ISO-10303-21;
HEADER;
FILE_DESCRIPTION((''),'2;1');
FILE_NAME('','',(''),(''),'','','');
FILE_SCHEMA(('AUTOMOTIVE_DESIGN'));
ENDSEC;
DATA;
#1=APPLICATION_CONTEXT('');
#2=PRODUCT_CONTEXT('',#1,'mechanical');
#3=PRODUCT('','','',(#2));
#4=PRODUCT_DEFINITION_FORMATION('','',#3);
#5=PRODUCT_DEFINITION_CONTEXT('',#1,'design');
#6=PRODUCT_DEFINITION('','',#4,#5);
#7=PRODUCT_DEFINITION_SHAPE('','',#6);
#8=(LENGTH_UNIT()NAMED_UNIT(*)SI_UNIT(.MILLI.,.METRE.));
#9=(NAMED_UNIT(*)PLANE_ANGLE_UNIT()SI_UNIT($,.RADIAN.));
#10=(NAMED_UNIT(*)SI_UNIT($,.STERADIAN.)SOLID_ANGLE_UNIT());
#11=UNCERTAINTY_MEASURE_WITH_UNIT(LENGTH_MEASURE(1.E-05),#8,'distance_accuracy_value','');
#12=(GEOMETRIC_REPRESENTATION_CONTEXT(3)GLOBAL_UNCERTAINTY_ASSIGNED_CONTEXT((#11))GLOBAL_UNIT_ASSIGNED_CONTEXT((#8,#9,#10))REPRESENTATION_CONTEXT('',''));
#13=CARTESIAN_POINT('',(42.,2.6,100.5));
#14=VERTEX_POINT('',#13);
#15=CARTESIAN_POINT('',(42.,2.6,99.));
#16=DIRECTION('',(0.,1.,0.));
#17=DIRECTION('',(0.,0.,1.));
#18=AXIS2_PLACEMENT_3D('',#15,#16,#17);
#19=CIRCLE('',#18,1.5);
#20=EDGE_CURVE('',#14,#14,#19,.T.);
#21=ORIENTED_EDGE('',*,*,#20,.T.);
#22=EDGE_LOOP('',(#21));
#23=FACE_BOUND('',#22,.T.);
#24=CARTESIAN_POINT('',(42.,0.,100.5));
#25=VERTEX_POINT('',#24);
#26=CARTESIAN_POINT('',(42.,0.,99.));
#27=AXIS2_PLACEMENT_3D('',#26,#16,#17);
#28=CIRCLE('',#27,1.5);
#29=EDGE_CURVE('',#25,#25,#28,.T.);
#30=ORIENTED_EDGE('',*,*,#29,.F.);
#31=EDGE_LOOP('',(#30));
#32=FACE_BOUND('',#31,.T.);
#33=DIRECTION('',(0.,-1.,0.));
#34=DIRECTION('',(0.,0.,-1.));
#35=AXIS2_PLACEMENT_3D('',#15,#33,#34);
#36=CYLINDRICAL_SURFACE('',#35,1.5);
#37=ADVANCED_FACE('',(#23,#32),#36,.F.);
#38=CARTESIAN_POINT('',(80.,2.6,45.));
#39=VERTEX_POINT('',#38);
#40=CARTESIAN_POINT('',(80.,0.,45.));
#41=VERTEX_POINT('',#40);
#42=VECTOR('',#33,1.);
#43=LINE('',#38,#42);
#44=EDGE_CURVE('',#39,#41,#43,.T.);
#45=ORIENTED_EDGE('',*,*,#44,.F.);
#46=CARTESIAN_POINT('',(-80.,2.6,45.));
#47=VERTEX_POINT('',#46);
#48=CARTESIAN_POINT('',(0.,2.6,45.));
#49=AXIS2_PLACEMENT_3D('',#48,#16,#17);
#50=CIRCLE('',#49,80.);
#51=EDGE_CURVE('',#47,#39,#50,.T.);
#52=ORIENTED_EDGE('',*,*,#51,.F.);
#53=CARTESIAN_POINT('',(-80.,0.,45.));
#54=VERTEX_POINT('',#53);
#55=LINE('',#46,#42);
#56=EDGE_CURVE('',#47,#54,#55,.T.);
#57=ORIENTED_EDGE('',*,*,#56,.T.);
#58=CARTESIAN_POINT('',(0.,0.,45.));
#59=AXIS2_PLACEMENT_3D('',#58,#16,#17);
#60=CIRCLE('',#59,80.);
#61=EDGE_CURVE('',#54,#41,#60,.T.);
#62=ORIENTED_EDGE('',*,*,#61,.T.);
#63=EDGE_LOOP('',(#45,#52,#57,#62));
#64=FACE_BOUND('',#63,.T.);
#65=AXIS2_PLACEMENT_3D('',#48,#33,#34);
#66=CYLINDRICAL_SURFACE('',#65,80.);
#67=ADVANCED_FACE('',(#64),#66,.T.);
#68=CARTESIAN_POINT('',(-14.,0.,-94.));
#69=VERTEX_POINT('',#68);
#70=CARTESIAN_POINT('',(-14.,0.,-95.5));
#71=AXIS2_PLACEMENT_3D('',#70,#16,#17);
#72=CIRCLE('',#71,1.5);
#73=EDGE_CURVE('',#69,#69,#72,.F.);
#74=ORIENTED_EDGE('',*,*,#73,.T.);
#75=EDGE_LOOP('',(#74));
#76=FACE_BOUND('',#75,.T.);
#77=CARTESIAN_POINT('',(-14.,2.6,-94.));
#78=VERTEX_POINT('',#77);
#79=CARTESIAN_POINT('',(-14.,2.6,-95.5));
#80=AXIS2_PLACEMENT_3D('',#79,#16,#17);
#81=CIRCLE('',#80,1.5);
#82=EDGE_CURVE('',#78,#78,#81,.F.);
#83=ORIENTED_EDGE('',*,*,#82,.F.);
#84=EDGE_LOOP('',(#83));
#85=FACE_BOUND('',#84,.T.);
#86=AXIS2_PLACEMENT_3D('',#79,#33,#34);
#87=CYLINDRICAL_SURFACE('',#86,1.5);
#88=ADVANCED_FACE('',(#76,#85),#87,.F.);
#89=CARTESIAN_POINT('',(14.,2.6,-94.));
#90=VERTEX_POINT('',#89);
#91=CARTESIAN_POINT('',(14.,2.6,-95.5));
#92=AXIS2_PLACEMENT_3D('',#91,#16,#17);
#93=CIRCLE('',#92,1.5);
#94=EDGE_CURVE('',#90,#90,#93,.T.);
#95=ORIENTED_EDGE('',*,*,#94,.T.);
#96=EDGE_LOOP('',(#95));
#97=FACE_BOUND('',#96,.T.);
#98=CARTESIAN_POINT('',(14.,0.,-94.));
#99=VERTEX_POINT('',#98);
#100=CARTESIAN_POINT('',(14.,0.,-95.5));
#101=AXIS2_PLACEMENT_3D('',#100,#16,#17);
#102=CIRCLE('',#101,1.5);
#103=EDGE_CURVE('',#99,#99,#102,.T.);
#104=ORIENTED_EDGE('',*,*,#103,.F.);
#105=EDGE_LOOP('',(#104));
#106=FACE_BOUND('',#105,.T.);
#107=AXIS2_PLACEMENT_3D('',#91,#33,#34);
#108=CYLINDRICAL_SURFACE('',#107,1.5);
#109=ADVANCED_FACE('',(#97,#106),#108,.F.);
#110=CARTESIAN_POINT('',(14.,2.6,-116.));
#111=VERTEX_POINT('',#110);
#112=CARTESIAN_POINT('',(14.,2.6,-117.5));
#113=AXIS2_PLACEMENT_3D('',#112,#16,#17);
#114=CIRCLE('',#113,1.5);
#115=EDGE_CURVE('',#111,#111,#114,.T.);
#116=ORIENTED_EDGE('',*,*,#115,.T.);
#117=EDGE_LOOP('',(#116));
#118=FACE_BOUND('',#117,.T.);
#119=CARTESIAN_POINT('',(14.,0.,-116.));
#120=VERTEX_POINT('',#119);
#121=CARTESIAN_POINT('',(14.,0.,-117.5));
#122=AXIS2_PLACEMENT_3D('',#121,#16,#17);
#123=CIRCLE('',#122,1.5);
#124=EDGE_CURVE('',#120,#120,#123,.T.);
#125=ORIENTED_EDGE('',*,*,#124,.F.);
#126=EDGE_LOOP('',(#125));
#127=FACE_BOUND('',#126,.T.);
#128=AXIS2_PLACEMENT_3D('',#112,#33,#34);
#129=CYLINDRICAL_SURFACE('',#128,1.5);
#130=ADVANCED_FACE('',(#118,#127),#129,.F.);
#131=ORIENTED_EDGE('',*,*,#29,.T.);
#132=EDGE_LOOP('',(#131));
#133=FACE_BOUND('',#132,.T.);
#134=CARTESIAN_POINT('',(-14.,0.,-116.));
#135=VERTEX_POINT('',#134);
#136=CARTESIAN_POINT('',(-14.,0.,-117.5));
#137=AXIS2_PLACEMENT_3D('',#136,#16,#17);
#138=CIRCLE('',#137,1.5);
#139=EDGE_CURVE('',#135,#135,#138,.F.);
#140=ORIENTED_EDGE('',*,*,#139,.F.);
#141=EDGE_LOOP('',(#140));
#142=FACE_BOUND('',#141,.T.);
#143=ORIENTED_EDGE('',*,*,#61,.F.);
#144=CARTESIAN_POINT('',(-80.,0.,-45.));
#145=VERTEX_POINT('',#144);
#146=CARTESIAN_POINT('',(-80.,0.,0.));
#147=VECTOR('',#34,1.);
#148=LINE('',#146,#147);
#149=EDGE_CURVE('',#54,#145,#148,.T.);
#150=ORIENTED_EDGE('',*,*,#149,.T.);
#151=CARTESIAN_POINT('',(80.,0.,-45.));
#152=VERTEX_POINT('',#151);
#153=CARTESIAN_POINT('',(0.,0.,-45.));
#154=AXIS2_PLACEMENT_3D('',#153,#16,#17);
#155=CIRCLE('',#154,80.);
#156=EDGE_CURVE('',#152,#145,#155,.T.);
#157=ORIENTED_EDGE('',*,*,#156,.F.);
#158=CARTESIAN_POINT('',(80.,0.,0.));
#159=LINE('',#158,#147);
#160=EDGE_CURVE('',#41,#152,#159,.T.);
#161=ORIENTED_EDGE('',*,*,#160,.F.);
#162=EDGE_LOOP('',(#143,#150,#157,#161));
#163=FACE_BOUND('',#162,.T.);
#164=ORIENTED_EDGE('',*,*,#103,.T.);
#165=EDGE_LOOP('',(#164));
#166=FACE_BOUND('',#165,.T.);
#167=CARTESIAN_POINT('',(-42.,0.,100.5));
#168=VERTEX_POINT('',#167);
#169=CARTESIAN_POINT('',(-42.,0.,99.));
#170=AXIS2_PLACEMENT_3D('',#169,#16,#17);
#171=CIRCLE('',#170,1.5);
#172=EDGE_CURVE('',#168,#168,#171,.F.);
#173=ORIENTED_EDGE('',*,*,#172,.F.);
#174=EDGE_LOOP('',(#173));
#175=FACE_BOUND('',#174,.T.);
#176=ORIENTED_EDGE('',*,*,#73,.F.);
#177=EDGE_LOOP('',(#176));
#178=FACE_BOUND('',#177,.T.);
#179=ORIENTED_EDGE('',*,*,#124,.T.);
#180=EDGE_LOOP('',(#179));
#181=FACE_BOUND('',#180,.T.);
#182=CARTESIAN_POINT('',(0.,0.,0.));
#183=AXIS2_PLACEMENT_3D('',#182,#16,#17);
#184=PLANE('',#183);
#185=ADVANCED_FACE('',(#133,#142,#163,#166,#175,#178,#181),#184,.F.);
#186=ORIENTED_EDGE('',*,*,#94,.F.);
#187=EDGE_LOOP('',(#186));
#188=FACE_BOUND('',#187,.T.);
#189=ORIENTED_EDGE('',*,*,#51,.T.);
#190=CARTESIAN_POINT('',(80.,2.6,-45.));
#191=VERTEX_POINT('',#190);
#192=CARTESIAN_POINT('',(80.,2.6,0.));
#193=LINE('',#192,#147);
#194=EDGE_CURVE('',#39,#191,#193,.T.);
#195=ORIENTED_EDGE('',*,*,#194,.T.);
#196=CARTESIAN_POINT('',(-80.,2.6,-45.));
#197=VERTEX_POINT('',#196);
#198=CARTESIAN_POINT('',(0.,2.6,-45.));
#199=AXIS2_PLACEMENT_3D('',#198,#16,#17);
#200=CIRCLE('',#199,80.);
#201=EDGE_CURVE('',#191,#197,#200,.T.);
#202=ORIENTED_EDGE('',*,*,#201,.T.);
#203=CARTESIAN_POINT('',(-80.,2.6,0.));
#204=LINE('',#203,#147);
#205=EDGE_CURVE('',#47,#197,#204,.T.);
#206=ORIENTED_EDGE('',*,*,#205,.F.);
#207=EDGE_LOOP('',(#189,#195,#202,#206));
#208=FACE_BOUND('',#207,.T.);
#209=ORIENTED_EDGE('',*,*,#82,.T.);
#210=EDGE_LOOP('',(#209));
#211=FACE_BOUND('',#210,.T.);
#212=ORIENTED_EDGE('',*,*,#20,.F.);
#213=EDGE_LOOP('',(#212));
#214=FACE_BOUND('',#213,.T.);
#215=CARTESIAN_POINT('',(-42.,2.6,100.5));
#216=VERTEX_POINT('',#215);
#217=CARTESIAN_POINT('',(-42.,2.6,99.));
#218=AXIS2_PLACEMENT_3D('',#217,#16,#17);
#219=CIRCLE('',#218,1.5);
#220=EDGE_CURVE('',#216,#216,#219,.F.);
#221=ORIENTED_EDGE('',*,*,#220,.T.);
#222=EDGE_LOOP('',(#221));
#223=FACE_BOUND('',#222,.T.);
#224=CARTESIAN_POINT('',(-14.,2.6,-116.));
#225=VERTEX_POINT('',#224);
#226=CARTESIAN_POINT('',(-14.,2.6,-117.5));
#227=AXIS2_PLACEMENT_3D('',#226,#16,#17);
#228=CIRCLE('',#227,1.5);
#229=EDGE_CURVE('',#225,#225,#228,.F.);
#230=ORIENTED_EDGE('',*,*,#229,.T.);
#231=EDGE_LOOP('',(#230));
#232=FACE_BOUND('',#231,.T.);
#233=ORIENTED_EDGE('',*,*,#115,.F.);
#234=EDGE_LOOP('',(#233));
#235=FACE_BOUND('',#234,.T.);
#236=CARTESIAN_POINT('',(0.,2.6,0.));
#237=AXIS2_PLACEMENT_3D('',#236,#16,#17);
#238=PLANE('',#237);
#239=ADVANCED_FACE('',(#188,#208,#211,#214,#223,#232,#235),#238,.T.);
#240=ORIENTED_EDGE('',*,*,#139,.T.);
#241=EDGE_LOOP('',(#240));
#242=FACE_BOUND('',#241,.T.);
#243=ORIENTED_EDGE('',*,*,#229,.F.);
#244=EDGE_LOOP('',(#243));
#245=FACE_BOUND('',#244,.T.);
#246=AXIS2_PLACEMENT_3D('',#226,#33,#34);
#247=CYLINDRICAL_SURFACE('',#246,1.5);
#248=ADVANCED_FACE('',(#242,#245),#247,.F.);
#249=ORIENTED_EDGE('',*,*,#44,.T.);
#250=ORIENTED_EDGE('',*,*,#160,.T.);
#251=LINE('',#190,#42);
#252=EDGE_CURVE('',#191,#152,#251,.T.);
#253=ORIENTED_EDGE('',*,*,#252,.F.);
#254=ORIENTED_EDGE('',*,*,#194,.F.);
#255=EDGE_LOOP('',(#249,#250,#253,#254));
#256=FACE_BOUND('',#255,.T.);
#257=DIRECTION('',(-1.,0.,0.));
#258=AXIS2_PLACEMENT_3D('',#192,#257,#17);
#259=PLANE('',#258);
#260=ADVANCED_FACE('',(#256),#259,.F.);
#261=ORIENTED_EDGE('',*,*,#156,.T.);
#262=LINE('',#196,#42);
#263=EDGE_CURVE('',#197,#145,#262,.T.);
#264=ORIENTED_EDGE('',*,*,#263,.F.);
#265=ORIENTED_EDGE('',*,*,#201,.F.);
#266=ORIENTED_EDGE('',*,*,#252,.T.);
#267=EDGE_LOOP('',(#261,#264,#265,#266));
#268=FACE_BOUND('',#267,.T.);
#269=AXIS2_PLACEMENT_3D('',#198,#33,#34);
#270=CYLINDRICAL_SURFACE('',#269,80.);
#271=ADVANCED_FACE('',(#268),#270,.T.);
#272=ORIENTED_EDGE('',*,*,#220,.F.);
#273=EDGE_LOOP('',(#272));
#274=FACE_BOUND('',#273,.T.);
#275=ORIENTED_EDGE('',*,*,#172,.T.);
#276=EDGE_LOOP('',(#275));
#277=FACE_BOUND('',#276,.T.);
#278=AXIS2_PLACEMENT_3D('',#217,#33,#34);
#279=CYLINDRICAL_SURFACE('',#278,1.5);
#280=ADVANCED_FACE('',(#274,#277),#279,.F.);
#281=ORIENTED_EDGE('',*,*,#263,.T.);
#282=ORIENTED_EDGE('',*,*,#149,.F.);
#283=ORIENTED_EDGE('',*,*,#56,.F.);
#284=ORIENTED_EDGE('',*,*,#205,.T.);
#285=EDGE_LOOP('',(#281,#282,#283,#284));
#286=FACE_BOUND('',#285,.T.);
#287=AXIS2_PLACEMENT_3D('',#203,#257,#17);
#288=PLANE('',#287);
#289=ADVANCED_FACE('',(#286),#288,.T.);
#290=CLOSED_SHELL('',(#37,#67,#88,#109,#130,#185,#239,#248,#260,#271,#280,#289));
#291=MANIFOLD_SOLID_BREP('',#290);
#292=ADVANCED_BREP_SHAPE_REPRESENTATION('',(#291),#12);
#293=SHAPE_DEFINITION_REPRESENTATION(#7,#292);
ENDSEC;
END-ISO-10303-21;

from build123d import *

# Parameters (mm, degrees)
SKETCH2_R           = 1.5
BOSS_EXTRUDE2_DEPTH = 2.6


with BuildPart() as part:
    # Sketch2 → Boss-Extrude2 (new body)
    with BuildSketch(Plane(origin=(0, 0, 0), x_dir=(1, 0, 0), z_dir=(0, 1, 0))):
        with BuildLine():
            Line((-80, -45), (-80, 45))
            ThreePointArc((-80, 45), (0, 125), (80, 45))
            Line((80, 45), (80, -45))
            ThreePointArc((80, -45), (0, -125), (-80, -45))
        make_face()
        with Locations(Location((14, 117.5, 0), (0, 0, 270))):
            Circle(SKETCH2_R, mode=Mode.SUBTRACT)
        with Locations(Location((14, 95.5, 0), (0, 0, 270))):
            Circle(SKETCH2_R, mode=Mode.SUBTRACT)
        with Locations(Location((-14, 95.5, 0), (0, 0, 270))):
            Circle(SKETCH2_R, mode=Mode.SUBTRACT)
        with Locations(Location((-14, 117.5, 0), (0, 0, 270))):
            Circle(SKETCH2_R, mode=Mode.SUBTRACT)
        with Locations(Location((42, -99, 0), (0, 0, 270))):
            Circle(SKETCH2_R, mode=Mode.SUBTRACT)
        with Locations(Location((-42, -99, 0), (0, 0, 270))):
            Circle(SKETCH2_R, mode=Mode.SUBTRACT)
    extrude(amount=BOSS_EXTRUDE2_DEPTH)


solid = part.part
